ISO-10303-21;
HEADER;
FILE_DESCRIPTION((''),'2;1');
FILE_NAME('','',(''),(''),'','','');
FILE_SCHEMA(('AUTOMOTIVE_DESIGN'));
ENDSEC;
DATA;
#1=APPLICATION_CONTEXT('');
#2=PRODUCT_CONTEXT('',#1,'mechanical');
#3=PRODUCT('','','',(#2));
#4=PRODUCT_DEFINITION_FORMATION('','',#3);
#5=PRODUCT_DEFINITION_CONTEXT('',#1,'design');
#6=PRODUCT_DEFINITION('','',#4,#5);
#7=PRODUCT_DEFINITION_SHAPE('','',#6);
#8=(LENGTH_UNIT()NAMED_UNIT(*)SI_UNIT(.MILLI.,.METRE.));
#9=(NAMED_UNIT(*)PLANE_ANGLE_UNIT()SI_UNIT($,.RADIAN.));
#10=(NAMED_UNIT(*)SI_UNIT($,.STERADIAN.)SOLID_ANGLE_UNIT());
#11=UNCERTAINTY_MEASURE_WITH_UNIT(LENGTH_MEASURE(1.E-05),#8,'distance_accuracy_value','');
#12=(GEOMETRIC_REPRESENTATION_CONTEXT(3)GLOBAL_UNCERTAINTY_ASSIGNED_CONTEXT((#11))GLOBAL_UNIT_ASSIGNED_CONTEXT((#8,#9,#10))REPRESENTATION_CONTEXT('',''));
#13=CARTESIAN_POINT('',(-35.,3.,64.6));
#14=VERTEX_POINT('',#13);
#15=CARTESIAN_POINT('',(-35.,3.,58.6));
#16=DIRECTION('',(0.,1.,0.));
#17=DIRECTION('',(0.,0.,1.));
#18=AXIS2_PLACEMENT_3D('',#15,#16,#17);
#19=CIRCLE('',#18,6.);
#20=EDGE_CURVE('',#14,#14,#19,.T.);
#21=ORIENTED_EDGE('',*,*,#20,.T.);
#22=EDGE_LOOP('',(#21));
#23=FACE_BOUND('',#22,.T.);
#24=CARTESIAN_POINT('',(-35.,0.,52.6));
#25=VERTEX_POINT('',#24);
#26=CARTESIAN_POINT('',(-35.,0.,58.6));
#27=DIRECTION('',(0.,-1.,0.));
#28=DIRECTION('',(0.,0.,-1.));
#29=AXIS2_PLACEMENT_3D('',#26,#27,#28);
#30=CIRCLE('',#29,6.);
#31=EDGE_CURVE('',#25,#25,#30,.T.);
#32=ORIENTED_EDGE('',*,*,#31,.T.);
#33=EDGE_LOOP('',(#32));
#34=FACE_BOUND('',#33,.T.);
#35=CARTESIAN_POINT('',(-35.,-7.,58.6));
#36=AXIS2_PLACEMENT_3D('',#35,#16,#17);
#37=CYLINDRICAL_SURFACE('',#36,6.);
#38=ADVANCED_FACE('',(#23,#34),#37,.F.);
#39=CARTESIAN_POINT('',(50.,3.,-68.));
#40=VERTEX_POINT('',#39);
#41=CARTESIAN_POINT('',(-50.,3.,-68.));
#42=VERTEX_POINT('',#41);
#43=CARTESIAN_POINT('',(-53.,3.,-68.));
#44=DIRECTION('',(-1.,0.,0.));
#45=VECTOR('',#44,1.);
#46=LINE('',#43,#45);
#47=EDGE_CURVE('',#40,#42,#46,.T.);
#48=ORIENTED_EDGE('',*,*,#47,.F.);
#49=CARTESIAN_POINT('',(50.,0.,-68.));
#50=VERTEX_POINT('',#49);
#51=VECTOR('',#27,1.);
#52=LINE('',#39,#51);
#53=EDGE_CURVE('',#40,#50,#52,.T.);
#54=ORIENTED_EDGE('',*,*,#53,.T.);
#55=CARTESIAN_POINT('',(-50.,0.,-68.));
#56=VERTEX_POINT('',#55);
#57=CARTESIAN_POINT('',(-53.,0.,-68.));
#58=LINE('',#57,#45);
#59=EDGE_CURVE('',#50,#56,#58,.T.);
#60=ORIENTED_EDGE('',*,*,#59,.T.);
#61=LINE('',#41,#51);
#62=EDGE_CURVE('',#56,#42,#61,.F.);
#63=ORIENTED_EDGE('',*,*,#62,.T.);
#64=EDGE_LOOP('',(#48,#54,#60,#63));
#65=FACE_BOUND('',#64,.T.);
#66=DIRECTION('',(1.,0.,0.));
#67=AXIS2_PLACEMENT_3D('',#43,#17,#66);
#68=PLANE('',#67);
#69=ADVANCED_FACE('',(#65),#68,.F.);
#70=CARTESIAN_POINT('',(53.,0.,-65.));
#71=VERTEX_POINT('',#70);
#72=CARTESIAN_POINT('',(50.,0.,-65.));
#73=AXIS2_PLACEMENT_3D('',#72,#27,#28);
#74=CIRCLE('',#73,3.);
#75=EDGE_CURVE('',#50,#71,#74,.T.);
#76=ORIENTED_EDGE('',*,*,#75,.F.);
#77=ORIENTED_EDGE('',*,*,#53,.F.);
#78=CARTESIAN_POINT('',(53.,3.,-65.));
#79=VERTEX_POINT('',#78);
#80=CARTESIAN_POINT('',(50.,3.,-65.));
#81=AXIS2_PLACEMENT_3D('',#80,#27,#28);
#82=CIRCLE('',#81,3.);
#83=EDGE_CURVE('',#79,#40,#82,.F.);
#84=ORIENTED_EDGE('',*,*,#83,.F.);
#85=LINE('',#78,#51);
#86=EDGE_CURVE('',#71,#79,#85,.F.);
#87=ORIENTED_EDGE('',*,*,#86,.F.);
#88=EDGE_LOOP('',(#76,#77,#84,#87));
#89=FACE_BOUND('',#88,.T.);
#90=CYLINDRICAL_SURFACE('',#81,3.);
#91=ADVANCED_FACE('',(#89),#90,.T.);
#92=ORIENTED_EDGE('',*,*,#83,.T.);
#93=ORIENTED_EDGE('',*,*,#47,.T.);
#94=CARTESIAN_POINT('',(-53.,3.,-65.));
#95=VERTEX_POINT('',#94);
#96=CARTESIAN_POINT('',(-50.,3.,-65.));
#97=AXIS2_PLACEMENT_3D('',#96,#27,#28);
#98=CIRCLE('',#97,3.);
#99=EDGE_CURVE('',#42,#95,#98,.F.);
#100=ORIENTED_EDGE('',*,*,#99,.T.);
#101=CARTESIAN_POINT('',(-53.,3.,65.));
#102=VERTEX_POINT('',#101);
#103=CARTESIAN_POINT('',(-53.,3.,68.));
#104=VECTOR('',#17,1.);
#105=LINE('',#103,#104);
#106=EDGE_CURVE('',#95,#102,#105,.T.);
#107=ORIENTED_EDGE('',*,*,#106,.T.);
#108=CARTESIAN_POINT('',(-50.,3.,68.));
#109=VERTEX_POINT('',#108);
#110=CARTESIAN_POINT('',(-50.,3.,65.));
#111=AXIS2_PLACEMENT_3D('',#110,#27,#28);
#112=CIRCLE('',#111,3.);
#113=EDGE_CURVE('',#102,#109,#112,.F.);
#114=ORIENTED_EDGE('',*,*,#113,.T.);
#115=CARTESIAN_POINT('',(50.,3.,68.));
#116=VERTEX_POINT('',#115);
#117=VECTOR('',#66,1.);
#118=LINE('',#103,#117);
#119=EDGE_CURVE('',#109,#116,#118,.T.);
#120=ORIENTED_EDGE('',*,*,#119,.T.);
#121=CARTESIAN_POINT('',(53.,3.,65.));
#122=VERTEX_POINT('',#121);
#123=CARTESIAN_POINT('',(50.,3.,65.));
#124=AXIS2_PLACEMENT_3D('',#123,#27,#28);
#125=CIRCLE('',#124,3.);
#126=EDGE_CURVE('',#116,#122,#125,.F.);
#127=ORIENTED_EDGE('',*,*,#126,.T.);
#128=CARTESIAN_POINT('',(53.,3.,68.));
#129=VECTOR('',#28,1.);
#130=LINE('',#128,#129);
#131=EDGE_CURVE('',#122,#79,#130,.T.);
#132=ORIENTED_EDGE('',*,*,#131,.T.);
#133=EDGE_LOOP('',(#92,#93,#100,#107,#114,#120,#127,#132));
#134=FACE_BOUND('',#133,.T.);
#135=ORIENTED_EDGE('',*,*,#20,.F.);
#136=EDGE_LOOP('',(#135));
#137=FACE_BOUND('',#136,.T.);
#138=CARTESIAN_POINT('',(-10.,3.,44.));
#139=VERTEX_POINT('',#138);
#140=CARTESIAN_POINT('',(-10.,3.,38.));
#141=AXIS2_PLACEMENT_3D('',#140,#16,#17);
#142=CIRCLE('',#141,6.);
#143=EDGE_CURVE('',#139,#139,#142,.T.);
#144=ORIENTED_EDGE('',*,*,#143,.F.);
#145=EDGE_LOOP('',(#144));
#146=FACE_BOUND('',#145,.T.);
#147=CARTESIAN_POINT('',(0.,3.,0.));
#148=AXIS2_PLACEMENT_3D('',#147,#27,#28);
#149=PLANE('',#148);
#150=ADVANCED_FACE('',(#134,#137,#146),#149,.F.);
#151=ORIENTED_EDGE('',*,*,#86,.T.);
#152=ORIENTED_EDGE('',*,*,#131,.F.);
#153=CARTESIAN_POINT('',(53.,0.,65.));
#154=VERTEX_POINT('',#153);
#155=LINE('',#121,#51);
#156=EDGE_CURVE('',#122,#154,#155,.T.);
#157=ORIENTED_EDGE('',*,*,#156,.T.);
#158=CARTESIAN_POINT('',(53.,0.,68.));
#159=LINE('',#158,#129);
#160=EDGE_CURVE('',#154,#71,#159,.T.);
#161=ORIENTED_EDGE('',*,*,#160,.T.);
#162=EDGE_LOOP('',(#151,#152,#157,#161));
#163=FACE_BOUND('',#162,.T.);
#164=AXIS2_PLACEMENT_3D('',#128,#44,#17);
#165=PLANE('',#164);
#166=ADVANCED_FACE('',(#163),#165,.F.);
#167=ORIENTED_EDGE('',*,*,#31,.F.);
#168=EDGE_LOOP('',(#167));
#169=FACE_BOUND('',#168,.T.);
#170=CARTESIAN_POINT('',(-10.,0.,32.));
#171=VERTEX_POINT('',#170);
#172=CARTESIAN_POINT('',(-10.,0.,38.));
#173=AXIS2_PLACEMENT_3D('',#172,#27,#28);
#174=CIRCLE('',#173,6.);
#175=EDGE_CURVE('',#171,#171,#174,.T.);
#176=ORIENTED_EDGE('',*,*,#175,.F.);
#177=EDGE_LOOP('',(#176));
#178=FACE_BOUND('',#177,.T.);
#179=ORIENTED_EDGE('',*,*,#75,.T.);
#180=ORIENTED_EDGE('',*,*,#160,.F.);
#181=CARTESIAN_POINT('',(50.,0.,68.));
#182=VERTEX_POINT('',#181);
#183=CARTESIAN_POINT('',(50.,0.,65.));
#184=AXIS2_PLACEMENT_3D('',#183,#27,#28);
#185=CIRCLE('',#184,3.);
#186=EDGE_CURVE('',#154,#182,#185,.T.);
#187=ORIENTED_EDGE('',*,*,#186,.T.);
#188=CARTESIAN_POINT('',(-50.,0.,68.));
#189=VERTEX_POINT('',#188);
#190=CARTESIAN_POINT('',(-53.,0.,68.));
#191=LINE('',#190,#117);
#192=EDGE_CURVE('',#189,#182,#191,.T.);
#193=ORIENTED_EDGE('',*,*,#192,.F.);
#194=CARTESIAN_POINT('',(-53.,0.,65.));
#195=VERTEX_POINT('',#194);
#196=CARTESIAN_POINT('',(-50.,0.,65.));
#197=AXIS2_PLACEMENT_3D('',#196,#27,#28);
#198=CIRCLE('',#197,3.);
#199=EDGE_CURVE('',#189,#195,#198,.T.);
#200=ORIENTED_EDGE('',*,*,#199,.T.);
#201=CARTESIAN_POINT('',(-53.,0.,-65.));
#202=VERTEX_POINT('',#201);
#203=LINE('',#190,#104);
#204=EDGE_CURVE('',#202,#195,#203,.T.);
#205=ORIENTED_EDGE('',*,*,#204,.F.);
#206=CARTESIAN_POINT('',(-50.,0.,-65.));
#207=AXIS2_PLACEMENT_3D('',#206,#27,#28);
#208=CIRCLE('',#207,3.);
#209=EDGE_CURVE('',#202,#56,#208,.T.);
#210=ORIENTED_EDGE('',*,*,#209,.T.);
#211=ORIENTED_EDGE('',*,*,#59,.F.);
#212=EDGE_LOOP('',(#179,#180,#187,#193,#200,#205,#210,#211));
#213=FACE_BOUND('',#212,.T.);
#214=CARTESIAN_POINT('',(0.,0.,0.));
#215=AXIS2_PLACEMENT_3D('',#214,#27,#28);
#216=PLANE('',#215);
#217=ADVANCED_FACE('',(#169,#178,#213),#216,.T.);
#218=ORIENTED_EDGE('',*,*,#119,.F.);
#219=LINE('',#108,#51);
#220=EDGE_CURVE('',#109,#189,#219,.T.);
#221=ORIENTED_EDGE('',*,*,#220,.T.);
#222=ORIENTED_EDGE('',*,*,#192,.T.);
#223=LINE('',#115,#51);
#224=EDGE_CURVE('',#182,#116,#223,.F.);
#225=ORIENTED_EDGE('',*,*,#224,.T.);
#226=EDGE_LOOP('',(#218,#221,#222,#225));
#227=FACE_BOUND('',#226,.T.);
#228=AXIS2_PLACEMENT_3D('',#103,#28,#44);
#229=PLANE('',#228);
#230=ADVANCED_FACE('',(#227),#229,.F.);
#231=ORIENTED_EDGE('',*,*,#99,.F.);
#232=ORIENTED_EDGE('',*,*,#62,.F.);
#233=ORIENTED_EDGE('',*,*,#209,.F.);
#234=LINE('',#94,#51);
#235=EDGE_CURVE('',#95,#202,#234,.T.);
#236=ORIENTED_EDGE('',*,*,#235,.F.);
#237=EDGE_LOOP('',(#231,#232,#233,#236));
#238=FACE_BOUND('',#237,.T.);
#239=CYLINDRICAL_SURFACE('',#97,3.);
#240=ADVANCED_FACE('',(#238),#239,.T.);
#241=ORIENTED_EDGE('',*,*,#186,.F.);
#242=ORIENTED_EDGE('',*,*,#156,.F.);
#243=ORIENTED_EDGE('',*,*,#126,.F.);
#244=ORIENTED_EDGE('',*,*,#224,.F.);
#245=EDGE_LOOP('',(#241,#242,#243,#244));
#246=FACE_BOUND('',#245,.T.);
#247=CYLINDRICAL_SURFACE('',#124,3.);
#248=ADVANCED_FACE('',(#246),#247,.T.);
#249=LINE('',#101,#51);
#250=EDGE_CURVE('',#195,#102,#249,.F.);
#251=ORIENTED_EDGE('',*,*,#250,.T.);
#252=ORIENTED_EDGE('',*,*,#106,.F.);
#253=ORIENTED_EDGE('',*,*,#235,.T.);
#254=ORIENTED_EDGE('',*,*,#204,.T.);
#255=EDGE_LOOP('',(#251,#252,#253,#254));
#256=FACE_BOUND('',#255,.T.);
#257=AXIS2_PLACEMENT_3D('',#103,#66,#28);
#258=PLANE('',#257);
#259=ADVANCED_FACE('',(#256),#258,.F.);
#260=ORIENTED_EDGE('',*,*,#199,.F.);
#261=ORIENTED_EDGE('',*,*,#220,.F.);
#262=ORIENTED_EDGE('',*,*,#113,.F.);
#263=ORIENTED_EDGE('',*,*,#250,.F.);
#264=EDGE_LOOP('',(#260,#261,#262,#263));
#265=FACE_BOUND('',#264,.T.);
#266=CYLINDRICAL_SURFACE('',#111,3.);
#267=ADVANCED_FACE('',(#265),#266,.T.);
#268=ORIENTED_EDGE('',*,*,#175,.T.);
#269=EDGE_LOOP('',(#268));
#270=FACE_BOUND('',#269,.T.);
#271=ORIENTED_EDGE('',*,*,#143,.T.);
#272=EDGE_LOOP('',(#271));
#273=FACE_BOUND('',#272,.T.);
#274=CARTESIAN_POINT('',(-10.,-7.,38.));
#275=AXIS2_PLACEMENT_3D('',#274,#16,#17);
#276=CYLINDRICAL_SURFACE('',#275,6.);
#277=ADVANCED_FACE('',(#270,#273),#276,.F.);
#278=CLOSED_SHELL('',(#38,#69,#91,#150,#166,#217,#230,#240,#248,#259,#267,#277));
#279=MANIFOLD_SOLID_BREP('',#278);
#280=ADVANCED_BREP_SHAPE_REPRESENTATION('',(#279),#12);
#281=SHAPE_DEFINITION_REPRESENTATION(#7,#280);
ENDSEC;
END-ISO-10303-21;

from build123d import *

# Parameters (mm, degrees)
ESQUISSE1_W             = 106
ESQUISSE1_H             = 136
BOSS_EXTRU_1_DEPTH      = 3
CONG_1_R                = 3
ESQUISSE2_R             = 6
ENL_V_MAT_EXTRU_1_DEPTH = 10


with BuildPart() as part:
    # Esquisse1 → Boss.-Extru.1 (new body)
    with BuildSketch(Plane(origin=(0, 0, 0), x_dir=(1, 0, 0), z_dir=(0, 1, 0))):
        Rectangle(ESQUISSE1_W, ESQUISSE1_H)
    extrude(amount=BOSS_EXTRU_1_DEPTH)

    # Congé1
    cong_1_edges = [part.edges().sort_by_distance(p)[0] for p in [
        (53, 1.5, 68),
        (-53, 1.5, 68),
        (-53, 1.5, -68),
        (53, 1.5, -68),
    ]]
    fillet(cong_1_edges, radius=CONG_1_R)

    # Esquisse2 → Enlèv. mat.-Extru.1 (cut)
    with BuildSketch(Plane(origin=(0, 3, 0), x_dir=(1, 0, 0), z_dir=(0, 1, 0))):
        with Locations((-35, -58.6)):
            Circle(ESQUISSE2_R)
        with Locations((-10, -38)):
            Circle(ESQUISSE2_R)
    extrude(amount=-ENL_V_MAT_EXTRU_1_DEPTH, mode=Mode.SUBTRACT)


solid = part.part
